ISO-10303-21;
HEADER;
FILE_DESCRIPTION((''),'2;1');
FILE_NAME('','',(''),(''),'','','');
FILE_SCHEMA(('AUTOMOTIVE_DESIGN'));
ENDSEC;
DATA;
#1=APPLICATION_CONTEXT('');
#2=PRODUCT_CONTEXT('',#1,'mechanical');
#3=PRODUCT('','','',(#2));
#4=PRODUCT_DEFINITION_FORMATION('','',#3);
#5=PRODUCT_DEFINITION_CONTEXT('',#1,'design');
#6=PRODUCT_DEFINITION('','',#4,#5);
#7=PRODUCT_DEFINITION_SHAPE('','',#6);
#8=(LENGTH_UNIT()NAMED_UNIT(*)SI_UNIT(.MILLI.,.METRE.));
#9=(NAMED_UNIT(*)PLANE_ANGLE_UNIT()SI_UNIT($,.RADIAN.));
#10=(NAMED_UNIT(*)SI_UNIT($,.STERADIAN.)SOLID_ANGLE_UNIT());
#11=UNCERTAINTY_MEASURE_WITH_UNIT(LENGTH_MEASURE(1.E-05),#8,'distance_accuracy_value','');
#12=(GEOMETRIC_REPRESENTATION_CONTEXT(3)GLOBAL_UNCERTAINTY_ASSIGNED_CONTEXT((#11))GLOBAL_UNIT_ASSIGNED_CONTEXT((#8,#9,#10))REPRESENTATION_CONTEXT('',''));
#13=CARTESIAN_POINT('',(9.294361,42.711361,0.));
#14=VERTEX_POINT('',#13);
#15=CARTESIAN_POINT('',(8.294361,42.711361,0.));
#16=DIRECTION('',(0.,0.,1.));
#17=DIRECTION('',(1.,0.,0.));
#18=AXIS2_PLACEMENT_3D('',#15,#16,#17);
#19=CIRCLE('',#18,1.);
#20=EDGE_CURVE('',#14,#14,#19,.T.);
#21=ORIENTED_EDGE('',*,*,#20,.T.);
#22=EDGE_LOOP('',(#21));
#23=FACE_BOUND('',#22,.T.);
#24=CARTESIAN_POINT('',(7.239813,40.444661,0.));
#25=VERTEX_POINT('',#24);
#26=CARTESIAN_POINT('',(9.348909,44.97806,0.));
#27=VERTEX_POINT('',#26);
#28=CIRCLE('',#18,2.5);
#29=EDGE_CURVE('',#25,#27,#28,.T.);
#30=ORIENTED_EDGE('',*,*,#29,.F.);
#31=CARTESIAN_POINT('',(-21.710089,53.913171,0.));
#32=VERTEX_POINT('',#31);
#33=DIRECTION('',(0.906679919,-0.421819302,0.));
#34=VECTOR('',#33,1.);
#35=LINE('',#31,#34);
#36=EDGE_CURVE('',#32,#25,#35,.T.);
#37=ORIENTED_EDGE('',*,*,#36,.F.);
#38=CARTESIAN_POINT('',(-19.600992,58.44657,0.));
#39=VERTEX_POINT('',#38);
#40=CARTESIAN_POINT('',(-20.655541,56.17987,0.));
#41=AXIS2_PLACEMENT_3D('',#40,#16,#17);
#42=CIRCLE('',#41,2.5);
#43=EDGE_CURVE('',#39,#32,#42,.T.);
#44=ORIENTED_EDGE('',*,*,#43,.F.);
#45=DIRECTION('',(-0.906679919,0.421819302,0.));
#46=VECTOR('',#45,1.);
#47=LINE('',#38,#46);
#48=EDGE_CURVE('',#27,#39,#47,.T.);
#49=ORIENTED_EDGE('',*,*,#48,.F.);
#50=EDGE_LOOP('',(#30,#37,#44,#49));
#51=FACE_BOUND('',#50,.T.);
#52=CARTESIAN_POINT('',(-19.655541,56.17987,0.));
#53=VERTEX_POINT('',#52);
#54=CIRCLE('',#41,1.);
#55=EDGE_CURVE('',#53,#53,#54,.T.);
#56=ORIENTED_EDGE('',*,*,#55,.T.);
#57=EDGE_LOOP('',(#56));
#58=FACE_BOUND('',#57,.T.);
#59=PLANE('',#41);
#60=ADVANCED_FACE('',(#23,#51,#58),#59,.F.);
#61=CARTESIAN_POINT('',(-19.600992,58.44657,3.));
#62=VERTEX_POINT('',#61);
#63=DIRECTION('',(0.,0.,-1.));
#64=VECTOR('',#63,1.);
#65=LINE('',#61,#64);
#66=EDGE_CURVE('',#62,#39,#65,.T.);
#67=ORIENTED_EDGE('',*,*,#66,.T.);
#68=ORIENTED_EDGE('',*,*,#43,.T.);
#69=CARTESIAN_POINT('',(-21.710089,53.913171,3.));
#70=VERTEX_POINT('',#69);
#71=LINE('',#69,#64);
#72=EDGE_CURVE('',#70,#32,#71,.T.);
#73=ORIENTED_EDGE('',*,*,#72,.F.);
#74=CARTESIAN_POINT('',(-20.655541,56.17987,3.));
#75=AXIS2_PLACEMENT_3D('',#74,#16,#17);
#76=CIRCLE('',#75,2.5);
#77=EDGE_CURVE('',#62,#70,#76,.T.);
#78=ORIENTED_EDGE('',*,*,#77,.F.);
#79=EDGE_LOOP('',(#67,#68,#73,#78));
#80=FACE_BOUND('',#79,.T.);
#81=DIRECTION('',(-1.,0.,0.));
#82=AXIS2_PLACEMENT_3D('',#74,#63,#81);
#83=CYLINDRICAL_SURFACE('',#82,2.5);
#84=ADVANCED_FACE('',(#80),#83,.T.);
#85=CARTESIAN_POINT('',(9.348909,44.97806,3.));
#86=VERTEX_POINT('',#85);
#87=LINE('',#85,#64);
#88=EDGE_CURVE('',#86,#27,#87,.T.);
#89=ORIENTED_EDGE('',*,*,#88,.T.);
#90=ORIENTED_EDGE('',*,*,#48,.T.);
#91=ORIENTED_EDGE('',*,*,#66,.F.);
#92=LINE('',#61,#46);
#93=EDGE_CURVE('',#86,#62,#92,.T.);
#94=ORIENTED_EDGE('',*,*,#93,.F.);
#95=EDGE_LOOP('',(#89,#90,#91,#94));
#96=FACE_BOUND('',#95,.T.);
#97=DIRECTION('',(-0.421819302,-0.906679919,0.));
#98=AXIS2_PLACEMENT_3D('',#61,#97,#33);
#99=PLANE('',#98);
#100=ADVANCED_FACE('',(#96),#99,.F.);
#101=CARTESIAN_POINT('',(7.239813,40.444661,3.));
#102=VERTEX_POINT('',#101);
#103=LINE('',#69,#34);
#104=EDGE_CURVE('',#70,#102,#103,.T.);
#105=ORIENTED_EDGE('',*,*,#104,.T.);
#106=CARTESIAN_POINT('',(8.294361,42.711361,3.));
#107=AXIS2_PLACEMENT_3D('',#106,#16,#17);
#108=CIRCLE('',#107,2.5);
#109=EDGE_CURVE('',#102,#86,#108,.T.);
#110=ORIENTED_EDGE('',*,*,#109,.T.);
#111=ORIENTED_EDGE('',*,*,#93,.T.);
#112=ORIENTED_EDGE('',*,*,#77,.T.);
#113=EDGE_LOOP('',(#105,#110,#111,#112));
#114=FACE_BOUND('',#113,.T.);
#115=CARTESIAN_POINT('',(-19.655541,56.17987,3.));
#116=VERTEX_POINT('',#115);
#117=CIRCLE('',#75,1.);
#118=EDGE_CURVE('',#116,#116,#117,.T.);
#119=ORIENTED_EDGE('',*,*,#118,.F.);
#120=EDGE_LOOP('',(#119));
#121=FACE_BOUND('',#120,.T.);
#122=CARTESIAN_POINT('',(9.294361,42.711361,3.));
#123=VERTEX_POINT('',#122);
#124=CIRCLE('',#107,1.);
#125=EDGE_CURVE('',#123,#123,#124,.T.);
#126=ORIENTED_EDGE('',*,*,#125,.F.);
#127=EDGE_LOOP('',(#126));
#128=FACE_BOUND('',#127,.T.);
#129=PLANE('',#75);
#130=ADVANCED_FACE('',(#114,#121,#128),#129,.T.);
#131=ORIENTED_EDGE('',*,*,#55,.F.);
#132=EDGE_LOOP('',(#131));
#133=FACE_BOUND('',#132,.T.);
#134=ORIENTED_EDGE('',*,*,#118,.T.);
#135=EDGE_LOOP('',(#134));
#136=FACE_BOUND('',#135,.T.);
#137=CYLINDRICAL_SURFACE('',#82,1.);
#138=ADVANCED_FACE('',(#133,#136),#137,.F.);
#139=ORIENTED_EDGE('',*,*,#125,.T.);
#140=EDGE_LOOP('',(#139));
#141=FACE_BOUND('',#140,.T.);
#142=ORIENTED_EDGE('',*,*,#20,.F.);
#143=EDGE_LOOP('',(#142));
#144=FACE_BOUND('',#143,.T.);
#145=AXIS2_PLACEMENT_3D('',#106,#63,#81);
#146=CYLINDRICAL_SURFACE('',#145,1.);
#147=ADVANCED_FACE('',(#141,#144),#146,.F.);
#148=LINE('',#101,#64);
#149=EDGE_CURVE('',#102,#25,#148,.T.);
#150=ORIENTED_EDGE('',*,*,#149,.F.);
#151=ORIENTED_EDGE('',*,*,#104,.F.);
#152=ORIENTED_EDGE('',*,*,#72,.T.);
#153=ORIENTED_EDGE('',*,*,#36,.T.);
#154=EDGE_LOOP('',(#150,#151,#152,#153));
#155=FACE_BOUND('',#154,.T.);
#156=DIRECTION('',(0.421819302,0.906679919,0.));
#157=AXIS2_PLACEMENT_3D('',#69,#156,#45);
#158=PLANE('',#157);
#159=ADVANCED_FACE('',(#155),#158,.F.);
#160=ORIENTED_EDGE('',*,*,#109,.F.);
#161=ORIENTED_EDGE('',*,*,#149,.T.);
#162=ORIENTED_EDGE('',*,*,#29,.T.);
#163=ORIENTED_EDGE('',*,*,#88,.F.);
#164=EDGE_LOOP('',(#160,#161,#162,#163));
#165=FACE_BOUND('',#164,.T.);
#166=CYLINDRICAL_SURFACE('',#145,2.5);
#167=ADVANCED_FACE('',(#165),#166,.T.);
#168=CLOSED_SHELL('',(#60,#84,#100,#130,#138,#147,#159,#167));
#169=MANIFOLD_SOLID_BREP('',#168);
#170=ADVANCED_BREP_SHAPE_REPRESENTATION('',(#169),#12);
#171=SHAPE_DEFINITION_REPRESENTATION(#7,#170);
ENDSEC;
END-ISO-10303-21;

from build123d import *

# Parameters (mm, degrees)
SKETCH1_R           = 1
BOSS_EXTRUDE1_DEPTH = 3


with BuildPart() as part:
    # Sketch1 → Boss-Extrude1 (new body)
    with BuildSketch(Plane.XY):
        with BuildLine():
            Line((-19.600992406, 58.446570176), (9.348909366, 44.978060399))
            ThreePointArc((9.348909366, 44.978060399), (10.56106091, 41.656812345), (7.239812856, 40.444660802))
            Line((7.239812856, 40.444660802), (-21.710088916, 53.913170579))
            ThreePointArc((-21.710088916, 53.913170579), (-22.92224046, 57.234418633), (-19.600992406, 58.446570176))
        make_face()
        with Locations((-20.655540661, 56.179870378)):
            Circle(SKETCH1_R, mode=Mode.SUBTRACT)
        with Locations((8.294361111, 42.7113606)):
            Circle(SKETCH1_R, mode=Mode.SUBTRACT)
    extrude(amount=BOSS_EXTRUDE1_DEPTH)


solid = part.part
